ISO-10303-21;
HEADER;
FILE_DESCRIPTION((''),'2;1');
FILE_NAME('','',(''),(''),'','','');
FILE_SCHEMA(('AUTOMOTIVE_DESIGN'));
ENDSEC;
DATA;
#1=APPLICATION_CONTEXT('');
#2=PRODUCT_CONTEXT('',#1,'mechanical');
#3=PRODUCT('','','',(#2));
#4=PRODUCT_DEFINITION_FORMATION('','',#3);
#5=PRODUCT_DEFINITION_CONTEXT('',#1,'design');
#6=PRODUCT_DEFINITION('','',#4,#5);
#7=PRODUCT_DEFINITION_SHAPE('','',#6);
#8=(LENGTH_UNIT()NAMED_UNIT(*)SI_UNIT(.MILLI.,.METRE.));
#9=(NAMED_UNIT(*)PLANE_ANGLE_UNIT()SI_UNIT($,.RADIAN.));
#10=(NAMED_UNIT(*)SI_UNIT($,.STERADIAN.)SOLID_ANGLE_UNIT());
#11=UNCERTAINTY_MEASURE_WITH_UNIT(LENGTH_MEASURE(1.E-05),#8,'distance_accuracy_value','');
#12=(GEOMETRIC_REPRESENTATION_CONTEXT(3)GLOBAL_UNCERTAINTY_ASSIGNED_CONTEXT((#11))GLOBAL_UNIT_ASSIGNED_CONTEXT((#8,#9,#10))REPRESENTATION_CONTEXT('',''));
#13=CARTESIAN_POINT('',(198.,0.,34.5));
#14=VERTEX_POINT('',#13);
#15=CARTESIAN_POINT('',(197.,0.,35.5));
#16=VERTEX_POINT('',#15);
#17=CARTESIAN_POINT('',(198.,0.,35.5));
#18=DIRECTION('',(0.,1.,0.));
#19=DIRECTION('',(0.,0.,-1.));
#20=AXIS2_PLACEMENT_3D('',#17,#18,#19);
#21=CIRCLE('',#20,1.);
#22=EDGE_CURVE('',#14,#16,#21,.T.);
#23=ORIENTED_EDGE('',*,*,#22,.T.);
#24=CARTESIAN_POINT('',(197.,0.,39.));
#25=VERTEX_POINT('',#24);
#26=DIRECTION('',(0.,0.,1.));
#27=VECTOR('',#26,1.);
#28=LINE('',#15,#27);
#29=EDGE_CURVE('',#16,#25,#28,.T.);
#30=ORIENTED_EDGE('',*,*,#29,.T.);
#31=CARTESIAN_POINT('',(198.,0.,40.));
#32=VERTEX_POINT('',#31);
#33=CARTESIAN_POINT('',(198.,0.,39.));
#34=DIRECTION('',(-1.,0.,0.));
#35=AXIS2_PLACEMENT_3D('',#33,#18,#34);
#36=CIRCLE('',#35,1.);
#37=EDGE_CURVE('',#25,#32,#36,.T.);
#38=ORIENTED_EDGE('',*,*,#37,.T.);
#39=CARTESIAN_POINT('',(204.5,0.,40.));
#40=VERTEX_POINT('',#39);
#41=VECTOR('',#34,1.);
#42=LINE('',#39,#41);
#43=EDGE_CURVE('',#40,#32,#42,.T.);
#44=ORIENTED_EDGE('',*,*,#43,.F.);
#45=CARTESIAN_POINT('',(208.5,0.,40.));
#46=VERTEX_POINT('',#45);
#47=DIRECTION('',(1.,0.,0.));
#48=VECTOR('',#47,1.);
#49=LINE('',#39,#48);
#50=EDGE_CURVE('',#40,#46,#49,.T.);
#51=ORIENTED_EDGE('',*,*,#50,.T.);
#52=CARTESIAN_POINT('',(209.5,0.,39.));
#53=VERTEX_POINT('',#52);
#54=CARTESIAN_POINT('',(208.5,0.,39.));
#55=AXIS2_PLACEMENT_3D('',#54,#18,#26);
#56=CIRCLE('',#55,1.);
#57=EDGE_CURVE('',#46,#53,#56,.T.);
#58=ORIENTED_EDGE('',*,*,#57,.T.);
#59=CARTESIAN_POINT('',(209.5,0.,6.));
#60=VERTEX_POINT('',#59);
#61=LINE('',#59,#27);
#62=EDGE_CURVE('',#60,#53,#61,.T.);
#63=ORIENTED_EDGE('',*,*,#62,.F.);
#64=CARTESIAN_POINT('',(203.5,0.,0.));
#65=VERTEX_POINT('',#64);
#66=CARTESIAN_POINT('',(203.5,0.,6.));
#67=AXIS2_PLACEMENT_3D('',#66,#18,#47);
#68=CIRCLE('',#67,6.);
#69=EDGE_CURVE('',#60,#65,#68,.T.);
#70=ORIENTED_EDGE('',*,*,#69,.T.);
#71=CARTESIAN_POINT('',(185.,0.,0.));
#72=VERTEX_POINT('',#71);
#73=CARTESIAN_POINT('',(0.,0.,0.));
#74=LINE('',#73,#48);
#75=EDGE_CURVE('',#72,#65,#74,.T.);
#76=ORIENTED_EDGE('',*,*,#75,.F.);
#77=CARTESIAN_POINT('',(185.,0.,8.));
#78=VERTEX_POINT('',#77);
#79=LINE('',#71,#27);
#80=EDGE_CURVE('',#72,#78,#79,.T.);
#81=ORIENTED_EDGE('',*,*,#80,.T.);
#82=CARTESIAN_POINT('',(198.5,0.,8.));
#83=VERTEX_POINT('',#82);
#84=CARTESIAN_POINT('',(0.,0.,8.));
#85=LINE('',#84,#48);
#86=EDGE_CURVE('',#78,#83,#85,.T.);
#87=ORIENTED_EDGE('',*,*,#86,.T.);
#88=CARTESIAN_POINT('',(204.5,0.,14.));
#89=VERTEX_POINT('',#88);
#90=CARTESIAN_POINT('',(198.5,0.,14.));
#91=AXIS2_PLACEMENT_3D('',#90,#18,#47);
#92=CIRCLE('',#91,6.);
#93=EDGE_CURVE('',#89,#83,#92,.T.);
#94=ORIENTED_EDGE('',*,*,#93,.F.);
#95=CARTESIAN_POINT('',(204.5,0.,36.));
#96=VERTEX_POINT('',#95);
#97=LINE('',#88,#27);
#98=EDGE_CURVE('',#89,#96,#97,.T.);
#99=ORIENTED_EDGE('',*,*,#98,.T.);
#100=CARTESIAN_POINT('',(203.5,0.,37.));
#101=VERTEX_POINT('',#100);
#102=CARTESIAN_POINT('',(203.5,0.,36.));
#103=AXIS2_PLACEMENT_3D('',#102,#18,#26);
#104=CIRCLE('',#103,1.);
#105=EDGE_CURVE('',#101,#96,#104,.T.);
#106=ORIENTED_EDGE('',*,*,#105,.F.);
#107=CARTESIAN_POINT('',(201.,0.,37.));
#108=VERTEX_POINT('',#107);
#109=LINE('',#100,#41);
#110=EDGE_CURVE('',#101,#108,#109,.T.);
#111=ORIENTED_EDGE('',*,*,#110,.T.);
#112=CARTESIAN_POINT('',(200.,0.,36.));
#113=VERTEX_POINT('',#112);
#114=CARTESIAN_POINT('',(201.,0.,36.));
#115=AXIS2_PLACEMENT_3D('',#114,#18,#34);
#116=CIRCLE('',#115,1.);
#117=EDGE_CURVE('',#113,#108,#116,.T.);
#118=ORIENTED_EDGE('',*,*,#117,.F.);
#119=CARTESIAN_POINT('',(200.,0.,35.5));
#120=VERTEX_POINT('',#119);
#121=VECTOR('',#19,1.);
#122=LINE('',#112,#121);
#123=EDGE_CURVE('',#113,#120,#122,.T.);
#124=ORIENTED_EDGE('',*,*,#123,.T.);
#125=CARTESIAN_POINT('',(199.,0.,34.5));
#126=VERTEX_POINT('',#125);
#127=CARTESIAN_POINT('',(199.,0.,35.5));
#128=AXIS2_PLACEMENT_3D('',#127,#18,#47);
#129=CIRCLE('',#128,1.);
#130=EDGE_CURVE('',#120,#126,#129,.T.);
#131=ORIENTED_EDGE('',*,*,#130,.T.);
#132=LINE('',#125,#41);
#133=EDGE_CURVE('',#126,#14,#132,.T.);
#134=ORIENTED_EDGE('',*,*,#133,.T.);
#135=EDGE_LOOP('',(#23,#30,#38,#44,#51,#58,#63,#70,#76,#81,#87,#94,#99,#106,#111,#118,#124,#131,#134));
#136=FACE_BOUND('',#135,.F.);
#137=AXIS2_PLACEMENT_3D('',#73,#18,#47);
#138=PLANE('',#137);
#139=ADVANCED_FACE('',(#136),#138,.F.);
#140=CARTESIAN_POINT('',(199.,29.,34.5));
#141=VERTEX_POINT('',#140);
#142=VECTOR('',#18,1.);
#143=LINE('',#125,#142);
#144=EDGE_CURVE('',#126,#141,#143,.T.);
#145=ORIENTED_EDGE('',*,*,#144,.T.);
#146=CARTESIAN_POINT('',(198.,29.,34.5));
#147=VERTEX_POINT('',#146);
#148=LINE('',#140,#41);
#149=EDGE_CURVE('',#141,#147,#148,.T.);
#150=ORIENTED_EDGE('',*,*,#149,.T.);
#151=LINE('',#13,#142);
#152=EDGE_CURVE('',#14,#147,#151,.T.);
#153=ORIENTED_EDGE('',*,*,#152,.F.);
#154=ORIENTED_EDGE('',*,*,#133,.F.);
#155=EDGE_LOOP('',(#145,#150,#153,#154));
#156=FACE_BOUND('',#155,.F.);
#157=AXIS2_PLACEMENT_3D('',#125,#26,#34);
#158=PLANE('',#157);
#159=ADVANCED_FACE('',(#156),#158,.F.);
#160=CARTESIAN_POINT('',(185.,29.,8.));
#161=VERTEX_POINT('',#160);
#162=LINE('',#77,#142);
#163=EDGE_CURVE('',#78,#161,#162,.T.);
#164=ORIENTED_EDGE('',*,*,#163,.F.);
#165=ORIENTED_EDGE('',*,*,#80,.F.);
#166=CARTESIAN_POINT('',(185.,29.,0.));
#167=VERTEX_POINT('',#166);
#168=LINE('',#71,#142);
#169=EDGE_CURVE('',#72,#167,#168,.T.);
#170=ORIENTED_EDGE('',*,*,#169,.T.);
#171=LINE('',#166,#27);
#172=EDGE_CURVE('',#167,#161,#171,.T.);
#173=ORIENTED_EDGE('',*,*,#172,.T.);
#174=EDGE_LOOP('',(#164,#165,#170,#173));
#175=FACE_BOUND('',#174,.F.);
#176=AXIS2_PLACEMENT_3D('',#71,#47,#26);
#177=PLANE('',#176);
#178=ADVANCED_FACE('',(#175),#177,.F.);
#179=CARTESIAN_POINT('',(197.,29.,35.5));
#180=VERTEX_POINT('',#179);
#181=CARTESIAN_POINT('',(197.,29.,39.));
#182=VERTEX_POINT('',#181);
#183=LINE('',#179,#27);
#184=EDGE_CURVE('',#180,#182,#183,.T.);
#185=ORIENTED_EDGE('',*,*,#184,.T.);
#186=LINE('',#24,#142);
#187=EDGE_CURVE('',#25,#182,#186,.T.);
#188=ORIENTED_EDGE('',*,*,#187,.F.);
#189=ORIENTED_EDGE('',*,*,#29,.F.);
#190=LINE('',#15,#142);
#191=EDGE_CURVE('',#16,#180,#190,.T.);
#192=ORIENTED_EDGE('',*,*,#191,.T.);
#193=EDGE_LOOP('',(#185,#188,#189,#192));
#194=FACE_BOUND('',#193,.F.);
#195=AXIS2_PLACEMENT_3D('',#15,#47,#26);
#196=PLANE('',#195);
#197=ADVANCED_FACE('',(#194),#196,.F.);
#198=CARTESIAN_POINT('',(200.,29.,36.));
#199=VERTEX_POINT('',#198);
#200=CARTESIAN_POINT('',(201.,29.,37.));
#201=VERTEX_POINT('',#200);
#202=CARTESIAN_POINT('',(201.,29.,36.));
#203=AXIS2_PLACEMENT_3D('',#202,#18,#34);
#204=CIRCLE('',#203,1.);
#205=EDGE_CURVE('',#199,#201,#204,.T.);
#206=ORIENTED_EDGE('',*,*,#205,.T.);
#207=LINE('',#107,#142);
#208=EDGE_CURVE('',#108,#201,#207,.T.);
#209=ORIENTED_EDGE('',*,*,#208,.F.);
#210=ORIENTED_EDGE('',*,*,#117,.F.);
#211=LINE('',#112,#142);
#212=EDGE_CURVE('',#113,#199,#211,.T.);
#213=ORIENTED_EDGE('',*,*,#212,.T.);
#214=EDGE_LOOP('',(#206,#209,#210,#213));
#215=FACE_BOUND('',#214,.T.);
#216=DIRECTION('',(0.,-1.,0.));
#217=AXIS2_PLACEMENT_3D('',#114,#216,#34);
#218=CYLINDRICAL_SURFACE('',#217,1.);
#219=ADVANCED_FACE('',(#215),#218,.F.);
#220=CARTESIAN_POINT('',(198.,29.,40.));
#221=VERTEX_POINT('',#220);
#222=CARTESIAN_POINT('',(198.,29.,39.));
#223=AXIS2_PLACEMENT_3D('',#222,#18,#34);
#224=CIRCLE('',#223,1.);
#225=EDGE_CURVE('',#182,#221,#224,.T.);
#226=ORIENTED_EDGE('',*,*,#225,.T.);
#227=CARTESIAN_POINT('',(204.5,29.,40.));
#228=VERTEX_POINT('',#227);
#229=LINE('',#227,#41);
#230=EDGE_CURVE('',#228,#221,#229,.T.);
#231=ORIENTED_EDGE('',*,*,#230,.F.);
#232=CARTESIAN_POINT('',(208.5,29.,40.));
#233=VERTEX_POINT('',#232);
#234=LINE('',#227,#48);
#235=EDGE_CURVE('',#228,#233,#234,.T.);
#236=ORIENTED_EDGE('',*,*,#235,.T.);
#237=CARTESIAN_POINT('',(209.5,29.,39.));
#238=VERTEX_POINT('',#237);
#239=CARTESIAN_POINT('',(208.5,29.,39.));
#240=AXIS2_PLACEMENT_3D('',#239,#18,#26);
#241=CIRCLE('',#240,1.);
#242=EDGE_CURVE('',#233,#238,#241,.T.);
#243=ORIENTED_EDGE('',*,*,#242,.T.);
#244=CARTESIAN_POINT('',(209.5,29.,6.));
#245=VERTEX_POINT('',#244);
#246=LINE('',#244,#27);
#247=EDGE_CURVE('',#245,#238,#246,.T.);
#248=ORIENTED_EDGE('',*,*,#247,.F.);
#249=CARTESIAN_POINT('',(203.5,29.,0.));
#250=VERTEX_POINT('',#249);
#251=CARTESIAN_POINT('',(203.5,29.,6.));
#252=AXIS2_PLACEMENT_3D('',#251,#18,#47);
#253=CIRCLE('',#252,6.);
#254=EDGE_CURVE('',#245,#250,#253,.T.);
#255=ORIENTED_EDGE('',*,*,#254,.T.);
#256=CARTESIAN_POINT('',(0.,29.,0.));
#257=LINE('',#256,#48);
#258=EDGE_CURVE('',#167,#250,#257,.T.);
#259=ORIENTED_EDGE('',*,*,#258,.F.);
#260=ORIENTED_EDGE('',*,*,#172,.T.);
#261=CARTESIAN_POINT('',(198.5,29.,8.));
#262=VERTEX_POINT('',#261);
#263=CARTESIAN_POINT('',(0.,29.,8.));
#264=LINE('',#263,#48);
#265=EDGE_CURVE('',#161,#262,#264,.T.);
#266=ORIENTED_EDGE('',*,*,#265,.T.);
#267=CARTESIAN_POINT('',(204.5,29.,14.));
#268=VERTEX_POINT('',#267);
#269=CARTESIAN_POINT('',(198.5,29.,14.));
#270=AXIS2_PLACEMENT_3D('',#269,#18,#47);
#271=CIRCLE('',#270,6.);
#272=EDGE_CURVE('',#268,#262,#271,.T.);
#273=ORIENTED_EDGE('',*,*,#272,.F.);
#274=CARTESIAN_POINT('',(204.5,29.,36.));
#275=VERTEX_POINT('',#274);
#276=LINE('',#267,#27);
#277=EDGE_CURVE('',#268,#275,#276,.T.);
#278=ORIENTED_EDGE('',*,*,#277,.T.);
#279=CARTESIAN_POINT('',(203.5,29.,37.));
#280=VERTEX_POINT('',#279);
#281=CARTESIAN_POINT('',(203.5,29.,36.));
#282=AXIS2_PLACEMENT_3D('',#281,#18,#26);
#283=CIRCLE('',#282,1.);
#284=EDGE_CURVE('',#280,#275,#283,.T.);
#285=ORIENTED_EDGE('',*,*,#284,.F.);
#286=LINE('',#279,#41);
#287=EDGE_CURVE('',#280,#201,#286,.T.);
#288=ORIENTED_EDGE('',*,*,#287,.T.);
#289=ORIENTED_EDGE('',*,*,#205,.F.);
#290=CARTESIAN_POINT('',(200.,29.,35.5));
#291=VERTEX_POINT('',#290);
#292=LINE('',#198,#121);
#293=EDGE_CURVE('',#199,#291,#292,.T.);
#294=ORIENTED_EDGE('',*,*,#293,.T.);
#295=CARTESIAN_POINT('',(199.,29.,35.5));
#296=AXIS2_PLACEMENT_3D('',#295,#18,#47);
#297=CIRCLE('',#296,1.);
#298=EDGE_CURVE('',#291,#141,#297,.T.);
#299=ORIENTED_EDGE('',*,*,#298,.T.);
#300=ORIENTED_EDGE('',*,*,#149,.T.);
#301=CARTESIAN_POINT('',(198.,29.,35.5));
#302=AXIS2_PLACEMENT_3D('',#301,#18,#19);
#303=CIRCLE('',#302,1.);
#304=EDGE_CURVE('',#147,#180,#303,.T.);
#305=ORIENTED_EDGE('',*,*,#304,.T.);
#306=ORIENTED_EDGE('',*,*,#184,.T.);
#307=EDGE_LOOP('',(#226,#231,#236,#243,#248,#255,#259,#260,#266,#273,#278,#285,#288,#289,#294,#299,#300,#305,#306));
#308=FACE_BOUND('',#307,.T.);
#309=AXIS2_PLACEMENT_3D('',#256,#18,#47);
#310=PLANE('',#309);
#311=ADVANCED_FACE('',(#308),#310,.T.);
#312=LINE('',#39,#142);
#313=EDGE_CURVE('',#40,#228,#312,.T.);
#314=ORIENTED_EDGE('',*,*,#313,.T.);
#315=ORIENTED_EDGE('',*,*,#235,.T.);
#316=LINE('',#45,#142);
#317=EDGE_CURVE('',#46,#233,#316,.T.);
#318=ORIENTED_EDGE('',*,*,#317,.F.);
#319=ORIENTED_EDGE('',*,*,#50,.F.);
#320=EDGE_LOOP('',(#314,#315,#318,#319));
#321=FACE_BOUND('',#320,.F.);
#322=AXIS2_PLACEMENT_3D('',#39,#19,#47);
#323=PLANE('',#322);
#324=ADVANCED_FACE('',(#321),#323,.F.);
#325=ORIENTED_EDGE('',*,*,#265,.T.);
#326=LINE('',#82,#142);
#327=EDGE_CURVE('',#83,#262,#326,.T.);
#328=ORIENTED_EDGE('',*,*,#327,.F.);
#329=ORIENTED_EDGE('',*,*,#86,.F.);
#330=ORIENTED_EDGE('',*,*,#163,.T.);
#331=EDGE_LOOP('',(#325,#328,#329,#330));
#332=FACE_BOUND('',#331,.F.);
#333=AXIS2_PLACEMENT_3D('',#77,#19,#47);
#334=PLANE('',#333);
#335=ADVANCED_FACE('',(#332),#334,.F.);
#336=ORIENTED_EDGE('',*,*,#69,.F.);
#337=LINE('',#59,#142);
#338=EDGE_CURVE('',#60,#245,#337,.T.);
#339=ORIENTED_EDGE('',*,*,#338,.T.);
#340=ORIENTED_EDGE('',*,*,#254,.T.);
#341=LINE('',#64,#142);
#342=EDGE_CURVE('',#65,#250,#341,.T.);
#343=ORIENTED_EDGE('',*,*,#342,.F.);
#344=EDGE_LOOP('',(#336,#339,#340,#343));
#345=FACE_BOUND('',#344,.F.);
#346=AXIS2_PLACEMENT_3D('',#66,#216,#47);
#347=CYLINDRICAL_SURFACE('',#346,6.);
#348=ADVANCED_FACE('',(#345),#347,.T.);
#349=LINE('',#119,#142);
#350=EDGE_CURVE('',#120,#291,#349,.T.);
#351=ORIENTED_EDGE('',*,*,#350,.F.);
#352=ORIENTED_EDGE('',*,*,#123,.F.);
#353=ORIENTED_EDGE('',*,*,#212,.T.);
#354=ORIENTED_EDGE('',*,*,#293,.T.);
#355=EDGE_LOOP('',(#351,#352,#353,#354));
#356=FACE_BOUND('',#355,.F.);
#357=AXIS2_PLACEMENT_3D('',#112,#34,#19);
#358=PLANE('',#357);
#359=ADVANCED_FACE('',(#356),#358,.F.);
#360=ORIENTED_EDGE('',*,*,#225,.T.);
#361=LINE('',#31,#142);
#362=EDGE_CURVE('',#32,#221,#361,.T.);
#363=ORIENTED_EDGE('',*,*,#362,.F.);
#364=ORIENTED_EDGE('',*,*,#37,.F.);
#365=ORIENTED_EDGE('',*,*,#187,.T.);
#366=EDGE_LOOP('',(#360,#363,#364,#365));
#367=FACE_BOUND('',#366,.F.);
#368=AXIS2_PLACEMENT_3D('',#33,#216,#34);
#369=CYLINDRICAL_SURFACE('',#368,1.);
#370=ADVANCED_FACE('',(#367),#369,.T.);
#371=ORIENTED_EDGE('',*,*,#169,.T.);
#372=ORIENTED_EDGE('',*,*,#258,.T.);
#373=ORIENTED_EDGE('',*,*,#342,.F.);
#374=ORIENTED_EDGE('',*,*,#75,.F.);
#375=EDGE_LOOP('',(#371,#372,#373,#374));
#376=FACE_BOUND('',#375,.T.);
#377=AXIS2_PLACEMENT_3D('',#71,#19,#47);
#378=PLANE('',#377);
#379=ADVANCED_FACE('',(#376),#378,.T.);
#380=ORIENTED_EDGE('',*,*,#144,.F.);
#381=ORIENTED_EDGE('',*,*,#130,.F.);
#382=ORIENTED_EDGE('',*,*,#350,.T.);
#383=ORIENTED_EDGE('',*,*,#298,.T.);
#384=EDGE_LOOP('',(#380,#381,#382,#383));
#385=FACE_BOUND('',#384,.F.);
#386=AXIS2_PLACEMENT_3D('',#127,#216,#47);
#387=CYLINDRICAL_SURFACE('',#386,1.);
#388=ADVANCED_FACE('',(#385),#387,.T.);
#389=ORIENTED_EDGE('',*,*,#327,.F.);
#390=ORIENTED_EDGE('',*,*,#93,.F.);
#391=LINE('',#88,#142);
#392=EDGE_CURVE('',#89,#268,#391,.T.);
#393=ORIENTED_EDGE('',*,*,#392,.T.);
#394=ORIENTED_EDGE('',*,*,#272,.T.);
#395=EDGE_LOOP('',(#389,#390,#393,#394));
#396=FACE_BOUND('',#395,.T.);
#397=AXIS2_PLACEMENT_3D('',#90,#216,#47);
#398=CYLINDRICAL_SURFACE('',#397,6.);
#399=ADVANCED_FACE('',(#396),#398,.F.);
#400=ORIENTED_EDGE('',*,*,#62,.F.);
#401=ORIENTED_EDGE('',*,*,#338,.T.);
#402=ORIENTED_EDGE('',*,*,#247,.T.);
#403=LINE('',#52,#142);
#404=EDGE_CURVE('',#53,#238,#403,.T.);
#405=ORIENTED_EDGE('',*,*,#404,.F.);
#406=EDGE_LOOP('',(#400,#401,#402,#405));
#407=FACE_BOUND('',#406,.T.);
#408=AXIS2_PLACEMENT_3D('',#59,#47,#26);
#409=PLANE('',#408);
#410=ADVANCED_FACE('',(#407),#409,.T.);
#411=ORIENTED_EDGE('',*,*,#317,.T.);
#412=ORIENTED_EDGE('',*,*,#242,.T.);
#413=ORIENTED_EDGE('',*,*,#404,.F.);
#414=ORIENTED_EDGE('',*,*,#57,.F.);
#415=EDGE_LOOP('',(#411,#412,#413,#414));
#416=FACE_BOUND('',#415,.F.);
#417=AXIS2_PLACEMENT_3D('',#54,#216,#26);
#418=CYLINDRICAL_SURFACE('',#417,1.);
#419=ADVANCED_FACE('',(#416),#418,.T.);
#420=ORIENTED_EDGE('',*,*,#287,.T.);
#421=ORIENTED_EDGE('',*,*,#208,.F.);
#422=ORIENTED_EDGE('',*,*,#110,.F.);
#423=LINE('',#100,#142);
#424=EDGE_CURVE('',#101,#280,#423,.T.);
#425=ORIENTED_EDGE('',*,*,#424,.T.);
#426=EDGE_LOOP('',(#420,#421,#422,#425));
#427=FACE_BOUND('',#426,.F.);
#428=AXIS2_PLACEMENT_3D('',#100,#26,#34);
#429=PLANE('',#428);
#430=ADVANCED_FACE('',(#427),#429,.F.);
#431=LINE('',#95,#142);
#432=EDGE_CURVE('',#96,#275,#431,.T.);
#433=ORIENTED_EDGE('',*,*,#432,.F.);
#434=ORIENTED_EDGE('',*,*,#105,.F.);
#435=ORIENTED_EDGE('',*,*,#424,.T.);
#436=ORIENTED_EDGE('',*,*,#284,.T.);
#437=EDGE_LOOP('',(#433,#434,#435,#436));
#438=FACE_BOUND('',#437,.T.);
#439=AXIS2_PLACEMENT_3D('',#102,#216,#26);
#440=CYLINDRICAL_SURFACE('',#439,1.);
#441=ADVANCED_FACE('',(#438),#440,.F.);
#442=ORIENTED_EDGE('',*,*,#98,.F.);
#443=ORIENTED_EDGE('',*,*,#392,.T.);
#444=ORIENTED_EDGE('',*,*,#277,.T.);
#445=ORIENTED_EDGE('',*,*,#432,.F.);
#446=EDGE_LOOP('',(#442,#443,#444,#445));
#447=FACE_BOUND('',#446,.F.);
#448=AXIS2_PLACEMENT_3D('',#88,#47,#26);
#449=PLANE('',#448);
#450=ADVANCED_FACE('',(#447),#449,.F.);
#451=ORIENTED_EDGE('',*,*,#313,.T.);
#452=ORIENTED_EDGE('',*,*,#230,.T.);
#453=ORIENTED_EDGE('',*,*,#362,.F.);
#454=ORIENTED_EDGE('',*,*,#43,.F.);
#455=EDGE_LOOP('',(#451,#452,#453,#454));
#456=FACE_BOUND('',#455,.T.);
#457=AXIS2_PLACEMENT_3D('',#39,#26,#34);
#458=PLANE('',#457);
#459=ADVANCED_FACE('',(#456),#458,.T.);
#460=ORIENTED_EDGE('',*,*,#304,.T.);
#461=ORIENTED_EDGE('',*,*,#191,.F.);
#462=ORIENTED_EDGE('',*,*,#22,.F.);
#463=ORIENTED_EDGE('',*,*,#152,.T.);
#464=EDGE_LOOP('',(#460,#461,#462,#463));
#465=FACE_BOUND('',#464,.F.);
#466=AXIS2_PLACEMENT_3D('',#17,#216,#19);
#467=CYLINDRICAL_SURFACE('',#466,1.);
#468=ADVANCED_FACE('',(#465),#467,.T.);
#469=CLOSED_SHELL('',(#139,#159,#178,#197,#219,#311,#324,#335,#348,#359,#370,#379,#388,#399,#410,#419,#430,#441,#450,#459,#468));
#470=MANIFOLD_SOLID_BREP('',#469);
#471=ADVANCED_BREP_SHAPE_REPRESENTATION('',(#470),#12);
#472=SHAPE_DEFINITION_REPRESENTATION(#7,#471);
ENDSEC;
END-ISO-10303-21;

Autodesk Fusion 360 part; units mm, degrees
sketch "Sketch1" plane through (0, 0, 0) normal (0, 1, 0) x (1, 0, 0)
  line L0 (0, 0) -> (203.5, 0)
  line L1 (209.5, -6) -> (209.5, -39)
  line L2 (204.5, -14) -> (204.5, -36)
  line L3 (204.5, -40) -> (208.5, -40)
  line L4 (204.5, -40) -> (198, -40)
  line L5 (203.5, -37) -> (201, -37)
  line L6 (200, -36) -> (200, -35.5)
  line L7 (199, -34.5) -> (198, -34.5)
  line L8 (197, -35.5) -> (197, -39)
  arc A0 (200, -35.5) -> (199, -34.5) centre (199, -35.5) ccw
  arc A1 (198, -34.5) -> (197, -35.5) centre (198, -35.5) ccw
  arc A2 (200, -36) -> (201, -37) centre (201, -36) ccw
  arc A3 (203.5, -37) -> (204.5, -36) centre (203.5, -36) ccw
  arc A4 (197, -39) -> (198, -40) centre (198, -39) ccw
  arc A5 (208.5, -40) -> (209.5, -39) centre (208.5, -39) ccw
  line L9 (0, -8) -> (198.5, -8)
  arc A6 (204.5, -14) -> (198.5, -8) centre (198.5, -14) ccw
  arc A7 (209.5, -6) -> (203.5, 0) centre (203.5, -6) ccw
  line L10 (185, 0) -> (185, -8)
  point P0 (204.5, 0)
  point P1 (209.5, 0)
  point P2 (209.5, -40)
  point P3 (200, -37)
  point P4 (200, -34.5)
  point P5 (197, -34.5)
  point P6 (197, -40)
  dimension "d14" = 5
  dimension "d15" = 40
  dimension "d16" = 7.5
  dimension "d17" = 5.5
  dimension "d18" = 3
  dimension "d20" = 2.5
  dimension "d21" = 1
  dimension "d22" = 1
  dimension "d23" = 1
  dimension "d24" = 1
  dimension "d26" = 6
  dimension "d27" = 6
extrude "Extrude1" add sketch "Sketch1" along normal blind 29
